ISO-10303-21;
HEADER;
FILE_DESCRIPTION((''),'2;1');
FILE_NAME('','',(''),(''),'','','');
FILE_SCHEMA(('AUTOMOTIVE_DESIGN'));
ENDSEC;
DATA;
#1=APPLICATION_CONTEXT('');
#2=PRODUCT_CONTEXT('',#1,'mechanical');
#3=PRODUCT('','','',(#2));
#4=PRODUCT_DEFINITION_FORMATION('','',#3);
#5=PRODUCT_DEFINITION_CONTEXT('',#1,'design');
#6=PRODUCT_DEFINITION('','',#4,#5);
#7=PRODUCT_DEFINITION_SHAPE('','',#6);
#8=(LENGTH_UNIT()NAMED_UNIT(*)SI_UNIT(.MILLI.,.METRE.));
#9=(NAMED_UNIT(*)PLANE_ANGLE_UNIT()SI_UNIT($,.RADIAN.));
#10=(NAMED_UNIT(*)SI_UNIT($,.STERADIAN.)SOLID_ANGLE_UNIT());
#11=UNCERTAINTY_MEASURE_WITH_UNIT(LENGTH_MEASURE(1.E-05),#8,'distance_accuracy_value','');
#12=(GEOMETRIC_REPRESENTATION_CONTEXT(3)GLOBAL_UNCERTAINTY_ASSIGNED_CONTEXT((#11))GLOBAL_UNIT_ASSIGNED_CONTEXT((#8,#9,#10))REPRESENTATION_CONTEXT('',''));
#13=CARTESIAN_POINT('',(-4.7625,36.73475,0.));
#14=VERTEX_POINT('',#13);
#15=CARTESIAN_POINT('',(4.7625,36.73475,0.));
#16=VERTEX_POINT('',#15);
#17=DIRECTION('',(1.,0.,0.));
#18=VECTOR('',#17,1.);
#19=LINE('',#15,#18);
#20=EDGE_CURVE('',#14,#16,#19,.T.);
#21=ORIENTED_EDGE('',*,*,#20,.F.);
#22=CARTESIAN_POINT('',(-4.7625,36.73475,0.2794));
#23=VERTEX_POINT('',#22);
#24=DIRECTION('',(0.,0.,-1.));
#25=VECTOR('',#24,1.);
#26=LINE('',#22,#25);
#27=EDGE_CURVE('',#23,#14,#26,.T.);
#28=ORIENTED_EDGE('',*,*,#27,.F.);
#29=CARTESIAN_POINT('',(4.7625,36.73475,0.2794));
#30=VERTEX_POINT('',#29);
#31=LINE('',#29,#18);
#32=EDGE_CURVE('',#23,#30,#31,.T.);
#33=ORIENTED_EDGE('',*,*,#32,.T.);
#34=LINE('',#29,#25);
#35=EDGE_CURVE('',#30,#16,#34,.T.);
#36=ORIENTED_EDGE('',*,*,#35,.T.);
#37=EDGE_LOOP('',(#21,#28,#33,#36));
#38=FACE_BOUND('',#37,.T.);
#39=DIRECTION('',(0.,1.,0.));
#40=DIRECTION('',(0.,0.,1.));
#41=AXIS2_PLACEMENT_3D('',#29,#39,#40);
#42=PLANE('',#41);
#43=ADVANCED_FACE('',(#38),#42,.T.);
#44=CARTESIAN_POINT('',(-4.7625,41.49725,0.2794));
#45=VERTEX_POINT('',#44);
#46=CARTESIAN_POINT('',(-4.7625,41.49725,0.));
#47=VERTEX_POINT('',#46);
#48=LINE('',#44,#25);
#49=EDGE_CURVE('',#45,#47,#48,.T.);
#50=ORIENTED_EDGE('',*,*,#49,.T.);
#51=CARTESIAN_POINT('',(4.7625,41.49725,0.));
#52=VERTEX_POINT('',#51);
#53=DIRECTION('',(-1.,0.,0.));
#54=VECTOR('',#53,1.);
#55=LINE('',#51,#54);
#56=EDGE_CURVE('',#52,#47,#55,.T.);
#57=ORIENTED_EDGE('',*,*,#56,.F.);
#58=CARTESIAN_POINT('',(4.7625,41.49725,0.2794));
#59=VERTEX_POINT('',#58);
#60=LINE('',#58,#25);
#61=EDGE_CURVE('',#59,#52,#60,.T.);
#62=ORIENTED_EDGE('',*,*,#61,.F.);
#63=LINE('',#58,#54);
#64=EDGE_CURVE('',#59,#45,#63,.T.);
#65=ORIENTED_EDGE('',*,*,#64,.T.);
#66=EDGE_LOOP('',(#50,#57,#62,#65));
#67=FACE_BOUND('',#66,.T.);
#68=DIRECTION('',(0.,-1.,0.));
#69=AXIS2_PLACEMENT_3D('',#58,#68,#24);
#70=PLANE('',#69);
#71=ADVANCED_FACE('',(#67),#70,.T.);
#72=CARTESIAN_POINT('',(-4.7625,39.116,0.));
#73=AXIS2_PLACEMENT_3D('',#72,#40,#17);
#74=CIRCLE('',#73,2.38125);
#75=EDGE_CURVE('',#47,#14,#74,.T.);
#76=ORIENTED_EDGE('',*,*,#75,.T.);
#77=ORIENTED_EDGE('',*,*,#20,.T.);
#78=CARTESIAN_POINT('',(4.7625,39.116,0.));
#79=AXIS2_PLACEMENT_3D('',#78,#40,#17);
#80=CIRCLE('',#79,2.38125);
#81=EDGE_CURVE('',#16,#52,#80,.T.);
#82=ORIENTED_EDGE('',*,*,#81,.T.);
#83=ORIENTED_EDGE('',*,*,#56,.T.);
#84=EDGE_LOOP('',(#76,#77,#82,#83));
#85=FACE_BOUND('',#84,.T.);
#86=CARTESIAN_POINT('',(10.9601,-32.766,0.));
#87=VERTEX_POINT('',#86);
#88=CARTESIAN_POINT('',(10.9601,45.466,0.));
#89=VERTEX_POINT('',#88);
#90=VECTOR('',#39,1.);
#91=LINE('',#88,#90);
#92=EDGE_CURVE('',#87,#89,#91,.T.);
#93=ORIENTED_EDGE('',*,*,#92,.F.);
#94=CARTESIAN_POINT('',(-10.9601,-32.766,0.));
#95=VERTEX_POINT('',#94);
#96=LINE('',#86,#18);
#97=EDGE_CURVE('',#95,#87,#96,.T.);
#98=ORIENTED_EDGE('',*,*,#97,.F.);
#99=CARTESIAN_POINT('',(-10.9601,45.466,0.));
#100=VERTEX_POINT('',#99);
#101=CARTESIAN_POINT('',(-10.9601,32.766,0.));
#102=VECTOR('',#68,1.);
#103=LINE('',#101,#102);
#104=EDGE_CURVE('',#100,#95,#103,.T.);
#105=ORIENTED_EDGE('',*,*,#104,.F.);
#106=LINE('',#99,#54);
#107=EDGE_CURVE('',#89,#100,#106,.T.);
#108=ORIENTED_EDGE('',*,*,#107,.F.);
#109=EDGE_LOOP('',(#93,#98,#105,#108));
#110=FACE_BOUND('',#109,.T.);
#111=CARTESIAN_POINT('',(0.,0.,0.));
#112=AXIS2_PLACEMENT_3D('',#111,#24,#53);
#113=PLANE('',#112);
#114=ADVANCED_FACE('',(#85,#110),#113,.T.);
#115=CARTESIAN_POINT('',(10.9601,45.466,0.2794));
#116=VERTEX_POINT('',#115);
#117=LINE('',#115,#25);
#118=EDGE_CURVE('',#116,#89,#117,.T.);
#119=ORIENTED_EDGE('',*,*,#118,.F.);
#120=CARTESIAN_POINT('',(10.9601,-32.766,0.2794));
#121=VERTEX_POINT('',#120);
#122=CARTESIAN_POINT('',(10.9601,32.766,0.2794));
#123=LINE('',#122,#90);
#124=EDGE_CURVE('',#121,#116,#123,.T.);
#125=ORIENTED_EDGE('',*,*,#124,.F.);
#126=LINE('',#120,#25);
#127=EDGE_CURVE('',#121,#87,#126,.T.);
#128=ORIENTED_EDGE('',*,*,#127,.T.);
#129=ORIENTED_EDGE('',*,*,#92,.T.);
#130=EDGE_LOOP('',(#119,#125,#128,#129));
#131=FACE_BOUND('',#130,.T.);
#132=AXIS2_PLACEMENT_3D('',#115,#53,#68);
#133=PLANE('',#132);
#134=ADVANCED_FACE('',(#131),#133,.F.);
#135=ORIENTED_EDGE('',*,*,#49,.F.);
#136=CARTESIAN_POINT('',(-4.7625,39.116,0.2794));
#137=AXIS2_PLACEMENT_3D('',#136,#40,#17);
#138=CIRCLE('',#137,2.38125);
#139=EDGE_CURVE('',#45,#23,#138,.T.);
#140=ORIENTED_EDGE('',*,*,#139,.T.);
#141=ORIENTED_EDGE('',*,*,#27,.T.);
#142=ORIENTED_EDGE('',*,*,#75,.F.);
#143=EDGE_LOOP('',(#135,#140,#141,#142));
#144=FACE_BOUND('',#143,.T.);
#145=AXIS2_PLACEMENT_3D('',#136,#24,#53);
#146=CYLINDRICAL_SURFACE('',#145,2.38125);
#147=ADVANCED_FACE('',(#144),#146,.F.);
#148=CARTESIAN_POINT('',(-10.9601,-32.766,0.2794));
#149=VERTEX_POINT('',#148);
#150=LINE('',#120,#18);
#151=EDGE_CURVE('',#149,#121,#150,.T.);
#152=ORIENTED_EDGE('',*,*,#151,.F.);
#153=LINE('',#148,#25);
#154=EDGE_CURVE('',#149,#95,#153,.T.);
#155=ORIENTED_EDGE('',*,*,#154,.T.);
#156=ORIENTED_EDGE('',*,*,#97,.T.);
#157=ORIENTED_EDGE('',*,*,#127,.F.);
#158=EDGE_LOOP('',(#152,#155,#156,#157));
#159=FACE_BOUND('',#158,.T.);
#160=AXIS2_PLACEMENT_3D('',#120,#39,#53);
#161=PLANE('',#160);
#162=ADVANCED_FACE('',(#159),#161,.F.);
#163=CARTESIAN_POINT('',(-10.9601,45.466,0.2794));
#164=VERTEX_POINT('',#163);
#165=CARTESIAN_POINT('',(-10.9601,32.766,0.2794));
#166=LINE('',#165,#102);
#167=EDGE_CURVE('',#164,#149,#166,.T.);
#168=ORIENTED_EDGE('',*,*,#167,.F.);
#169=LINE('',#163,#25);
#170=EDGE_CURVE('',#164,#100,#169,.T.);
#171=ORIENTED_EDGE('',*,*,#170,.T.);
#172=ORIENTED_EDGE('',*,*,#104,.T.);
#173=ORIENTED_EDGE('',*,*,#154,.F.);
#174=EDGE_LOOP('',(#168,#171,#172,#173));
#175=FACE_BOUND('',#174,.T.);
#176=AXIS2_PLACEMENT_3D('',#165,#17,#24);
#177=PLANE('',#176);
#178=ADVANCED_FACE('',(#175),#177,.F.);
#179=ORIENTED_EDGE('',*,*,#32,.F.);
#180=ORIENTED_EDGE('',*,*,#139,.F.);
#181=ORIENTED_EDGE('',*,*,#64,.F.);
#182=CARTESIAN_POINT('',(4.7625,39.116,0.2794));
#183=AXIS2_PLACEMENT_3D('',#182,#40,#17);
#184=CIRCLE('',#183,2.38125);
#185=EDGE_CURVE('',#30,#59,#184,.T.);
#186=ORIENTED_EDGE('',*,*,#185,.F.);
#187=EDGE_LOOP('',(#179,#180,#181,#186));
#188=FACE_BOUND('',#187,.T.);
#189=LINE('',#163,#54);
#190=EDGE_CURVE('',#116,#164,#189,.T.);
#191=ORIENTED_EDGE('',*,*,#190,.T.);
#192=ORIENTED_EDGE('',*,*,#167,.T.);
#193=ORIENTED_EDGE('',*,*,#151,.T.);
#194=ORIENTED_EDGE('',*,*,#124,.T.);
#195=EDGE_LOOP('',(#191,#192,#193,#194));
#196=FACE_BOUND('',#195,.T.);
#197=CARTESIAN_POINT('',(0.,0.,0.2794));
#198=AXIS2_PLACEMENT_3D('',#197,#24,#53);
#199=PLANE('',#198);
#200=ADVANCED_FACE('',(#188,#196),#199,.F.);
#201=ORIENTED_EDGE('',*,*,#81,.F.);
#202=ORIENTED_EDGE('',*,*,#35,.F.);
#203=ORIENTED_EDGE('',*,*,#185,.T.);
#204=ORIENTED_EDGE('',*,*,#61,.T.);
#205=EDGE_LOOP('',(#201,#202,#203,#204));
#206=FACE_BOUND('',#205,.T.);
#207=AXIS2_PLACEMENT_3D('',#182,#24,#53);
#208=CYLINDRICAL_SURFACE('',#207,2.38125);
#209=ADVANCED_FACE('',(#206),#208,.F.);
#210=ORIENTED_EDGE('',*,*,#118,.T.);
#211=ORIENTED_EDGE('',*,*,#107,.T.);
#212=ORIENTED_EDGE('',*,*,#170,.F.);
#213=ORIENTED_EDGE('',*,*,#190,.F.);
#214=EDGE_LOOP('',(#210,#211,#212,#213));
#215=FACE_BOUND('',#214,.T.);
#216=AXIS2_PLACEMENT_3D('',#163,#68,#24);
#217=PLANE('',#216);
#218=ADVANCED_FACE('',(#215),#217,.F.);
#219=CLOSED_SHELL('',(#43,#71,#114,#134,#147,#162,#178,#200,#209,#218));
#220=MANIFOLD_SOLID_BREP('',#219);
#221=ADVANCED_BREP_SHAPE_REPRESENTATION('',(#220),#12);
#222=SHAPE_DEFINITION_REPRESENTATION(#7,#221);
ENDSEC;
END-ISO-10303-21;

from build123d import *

# Parameters (mm, degrees)
BOSS_EXTRUDE1_DEPTH = 0.2794


with BuildPart() as part:
    # Sketch1 → Boss-Extrude1 (new body)
    with BuildSketch(Plane.XY):
        Polygon((-10.9601, 32.766), (-10.9601, 45.466), (10.9601, 45.466), (10.9601, 32.766), (10.9601, -32.766), (-10.9601, -32.766), align=None)
        with BuildLine():
            Line((4.7625, 36.73475), (-4.7625, 36.73475))
            ThreePointArc((-4.7625, 36.73475), (-7.14375, 39.116), (-4.7625, 41.49725))
            Line((-4.7625, 41.49725), (4.7625, 41.49725))
            ThreePointArc((4.7625, 41.49725), (7.14375, 39.116), (4.7625, 36.73475))
        make_face(mode=Mode.SUBTRACT)
    extrude(amount=BOSS_EXTRUDE1_DEPTH)


solid = part.part
